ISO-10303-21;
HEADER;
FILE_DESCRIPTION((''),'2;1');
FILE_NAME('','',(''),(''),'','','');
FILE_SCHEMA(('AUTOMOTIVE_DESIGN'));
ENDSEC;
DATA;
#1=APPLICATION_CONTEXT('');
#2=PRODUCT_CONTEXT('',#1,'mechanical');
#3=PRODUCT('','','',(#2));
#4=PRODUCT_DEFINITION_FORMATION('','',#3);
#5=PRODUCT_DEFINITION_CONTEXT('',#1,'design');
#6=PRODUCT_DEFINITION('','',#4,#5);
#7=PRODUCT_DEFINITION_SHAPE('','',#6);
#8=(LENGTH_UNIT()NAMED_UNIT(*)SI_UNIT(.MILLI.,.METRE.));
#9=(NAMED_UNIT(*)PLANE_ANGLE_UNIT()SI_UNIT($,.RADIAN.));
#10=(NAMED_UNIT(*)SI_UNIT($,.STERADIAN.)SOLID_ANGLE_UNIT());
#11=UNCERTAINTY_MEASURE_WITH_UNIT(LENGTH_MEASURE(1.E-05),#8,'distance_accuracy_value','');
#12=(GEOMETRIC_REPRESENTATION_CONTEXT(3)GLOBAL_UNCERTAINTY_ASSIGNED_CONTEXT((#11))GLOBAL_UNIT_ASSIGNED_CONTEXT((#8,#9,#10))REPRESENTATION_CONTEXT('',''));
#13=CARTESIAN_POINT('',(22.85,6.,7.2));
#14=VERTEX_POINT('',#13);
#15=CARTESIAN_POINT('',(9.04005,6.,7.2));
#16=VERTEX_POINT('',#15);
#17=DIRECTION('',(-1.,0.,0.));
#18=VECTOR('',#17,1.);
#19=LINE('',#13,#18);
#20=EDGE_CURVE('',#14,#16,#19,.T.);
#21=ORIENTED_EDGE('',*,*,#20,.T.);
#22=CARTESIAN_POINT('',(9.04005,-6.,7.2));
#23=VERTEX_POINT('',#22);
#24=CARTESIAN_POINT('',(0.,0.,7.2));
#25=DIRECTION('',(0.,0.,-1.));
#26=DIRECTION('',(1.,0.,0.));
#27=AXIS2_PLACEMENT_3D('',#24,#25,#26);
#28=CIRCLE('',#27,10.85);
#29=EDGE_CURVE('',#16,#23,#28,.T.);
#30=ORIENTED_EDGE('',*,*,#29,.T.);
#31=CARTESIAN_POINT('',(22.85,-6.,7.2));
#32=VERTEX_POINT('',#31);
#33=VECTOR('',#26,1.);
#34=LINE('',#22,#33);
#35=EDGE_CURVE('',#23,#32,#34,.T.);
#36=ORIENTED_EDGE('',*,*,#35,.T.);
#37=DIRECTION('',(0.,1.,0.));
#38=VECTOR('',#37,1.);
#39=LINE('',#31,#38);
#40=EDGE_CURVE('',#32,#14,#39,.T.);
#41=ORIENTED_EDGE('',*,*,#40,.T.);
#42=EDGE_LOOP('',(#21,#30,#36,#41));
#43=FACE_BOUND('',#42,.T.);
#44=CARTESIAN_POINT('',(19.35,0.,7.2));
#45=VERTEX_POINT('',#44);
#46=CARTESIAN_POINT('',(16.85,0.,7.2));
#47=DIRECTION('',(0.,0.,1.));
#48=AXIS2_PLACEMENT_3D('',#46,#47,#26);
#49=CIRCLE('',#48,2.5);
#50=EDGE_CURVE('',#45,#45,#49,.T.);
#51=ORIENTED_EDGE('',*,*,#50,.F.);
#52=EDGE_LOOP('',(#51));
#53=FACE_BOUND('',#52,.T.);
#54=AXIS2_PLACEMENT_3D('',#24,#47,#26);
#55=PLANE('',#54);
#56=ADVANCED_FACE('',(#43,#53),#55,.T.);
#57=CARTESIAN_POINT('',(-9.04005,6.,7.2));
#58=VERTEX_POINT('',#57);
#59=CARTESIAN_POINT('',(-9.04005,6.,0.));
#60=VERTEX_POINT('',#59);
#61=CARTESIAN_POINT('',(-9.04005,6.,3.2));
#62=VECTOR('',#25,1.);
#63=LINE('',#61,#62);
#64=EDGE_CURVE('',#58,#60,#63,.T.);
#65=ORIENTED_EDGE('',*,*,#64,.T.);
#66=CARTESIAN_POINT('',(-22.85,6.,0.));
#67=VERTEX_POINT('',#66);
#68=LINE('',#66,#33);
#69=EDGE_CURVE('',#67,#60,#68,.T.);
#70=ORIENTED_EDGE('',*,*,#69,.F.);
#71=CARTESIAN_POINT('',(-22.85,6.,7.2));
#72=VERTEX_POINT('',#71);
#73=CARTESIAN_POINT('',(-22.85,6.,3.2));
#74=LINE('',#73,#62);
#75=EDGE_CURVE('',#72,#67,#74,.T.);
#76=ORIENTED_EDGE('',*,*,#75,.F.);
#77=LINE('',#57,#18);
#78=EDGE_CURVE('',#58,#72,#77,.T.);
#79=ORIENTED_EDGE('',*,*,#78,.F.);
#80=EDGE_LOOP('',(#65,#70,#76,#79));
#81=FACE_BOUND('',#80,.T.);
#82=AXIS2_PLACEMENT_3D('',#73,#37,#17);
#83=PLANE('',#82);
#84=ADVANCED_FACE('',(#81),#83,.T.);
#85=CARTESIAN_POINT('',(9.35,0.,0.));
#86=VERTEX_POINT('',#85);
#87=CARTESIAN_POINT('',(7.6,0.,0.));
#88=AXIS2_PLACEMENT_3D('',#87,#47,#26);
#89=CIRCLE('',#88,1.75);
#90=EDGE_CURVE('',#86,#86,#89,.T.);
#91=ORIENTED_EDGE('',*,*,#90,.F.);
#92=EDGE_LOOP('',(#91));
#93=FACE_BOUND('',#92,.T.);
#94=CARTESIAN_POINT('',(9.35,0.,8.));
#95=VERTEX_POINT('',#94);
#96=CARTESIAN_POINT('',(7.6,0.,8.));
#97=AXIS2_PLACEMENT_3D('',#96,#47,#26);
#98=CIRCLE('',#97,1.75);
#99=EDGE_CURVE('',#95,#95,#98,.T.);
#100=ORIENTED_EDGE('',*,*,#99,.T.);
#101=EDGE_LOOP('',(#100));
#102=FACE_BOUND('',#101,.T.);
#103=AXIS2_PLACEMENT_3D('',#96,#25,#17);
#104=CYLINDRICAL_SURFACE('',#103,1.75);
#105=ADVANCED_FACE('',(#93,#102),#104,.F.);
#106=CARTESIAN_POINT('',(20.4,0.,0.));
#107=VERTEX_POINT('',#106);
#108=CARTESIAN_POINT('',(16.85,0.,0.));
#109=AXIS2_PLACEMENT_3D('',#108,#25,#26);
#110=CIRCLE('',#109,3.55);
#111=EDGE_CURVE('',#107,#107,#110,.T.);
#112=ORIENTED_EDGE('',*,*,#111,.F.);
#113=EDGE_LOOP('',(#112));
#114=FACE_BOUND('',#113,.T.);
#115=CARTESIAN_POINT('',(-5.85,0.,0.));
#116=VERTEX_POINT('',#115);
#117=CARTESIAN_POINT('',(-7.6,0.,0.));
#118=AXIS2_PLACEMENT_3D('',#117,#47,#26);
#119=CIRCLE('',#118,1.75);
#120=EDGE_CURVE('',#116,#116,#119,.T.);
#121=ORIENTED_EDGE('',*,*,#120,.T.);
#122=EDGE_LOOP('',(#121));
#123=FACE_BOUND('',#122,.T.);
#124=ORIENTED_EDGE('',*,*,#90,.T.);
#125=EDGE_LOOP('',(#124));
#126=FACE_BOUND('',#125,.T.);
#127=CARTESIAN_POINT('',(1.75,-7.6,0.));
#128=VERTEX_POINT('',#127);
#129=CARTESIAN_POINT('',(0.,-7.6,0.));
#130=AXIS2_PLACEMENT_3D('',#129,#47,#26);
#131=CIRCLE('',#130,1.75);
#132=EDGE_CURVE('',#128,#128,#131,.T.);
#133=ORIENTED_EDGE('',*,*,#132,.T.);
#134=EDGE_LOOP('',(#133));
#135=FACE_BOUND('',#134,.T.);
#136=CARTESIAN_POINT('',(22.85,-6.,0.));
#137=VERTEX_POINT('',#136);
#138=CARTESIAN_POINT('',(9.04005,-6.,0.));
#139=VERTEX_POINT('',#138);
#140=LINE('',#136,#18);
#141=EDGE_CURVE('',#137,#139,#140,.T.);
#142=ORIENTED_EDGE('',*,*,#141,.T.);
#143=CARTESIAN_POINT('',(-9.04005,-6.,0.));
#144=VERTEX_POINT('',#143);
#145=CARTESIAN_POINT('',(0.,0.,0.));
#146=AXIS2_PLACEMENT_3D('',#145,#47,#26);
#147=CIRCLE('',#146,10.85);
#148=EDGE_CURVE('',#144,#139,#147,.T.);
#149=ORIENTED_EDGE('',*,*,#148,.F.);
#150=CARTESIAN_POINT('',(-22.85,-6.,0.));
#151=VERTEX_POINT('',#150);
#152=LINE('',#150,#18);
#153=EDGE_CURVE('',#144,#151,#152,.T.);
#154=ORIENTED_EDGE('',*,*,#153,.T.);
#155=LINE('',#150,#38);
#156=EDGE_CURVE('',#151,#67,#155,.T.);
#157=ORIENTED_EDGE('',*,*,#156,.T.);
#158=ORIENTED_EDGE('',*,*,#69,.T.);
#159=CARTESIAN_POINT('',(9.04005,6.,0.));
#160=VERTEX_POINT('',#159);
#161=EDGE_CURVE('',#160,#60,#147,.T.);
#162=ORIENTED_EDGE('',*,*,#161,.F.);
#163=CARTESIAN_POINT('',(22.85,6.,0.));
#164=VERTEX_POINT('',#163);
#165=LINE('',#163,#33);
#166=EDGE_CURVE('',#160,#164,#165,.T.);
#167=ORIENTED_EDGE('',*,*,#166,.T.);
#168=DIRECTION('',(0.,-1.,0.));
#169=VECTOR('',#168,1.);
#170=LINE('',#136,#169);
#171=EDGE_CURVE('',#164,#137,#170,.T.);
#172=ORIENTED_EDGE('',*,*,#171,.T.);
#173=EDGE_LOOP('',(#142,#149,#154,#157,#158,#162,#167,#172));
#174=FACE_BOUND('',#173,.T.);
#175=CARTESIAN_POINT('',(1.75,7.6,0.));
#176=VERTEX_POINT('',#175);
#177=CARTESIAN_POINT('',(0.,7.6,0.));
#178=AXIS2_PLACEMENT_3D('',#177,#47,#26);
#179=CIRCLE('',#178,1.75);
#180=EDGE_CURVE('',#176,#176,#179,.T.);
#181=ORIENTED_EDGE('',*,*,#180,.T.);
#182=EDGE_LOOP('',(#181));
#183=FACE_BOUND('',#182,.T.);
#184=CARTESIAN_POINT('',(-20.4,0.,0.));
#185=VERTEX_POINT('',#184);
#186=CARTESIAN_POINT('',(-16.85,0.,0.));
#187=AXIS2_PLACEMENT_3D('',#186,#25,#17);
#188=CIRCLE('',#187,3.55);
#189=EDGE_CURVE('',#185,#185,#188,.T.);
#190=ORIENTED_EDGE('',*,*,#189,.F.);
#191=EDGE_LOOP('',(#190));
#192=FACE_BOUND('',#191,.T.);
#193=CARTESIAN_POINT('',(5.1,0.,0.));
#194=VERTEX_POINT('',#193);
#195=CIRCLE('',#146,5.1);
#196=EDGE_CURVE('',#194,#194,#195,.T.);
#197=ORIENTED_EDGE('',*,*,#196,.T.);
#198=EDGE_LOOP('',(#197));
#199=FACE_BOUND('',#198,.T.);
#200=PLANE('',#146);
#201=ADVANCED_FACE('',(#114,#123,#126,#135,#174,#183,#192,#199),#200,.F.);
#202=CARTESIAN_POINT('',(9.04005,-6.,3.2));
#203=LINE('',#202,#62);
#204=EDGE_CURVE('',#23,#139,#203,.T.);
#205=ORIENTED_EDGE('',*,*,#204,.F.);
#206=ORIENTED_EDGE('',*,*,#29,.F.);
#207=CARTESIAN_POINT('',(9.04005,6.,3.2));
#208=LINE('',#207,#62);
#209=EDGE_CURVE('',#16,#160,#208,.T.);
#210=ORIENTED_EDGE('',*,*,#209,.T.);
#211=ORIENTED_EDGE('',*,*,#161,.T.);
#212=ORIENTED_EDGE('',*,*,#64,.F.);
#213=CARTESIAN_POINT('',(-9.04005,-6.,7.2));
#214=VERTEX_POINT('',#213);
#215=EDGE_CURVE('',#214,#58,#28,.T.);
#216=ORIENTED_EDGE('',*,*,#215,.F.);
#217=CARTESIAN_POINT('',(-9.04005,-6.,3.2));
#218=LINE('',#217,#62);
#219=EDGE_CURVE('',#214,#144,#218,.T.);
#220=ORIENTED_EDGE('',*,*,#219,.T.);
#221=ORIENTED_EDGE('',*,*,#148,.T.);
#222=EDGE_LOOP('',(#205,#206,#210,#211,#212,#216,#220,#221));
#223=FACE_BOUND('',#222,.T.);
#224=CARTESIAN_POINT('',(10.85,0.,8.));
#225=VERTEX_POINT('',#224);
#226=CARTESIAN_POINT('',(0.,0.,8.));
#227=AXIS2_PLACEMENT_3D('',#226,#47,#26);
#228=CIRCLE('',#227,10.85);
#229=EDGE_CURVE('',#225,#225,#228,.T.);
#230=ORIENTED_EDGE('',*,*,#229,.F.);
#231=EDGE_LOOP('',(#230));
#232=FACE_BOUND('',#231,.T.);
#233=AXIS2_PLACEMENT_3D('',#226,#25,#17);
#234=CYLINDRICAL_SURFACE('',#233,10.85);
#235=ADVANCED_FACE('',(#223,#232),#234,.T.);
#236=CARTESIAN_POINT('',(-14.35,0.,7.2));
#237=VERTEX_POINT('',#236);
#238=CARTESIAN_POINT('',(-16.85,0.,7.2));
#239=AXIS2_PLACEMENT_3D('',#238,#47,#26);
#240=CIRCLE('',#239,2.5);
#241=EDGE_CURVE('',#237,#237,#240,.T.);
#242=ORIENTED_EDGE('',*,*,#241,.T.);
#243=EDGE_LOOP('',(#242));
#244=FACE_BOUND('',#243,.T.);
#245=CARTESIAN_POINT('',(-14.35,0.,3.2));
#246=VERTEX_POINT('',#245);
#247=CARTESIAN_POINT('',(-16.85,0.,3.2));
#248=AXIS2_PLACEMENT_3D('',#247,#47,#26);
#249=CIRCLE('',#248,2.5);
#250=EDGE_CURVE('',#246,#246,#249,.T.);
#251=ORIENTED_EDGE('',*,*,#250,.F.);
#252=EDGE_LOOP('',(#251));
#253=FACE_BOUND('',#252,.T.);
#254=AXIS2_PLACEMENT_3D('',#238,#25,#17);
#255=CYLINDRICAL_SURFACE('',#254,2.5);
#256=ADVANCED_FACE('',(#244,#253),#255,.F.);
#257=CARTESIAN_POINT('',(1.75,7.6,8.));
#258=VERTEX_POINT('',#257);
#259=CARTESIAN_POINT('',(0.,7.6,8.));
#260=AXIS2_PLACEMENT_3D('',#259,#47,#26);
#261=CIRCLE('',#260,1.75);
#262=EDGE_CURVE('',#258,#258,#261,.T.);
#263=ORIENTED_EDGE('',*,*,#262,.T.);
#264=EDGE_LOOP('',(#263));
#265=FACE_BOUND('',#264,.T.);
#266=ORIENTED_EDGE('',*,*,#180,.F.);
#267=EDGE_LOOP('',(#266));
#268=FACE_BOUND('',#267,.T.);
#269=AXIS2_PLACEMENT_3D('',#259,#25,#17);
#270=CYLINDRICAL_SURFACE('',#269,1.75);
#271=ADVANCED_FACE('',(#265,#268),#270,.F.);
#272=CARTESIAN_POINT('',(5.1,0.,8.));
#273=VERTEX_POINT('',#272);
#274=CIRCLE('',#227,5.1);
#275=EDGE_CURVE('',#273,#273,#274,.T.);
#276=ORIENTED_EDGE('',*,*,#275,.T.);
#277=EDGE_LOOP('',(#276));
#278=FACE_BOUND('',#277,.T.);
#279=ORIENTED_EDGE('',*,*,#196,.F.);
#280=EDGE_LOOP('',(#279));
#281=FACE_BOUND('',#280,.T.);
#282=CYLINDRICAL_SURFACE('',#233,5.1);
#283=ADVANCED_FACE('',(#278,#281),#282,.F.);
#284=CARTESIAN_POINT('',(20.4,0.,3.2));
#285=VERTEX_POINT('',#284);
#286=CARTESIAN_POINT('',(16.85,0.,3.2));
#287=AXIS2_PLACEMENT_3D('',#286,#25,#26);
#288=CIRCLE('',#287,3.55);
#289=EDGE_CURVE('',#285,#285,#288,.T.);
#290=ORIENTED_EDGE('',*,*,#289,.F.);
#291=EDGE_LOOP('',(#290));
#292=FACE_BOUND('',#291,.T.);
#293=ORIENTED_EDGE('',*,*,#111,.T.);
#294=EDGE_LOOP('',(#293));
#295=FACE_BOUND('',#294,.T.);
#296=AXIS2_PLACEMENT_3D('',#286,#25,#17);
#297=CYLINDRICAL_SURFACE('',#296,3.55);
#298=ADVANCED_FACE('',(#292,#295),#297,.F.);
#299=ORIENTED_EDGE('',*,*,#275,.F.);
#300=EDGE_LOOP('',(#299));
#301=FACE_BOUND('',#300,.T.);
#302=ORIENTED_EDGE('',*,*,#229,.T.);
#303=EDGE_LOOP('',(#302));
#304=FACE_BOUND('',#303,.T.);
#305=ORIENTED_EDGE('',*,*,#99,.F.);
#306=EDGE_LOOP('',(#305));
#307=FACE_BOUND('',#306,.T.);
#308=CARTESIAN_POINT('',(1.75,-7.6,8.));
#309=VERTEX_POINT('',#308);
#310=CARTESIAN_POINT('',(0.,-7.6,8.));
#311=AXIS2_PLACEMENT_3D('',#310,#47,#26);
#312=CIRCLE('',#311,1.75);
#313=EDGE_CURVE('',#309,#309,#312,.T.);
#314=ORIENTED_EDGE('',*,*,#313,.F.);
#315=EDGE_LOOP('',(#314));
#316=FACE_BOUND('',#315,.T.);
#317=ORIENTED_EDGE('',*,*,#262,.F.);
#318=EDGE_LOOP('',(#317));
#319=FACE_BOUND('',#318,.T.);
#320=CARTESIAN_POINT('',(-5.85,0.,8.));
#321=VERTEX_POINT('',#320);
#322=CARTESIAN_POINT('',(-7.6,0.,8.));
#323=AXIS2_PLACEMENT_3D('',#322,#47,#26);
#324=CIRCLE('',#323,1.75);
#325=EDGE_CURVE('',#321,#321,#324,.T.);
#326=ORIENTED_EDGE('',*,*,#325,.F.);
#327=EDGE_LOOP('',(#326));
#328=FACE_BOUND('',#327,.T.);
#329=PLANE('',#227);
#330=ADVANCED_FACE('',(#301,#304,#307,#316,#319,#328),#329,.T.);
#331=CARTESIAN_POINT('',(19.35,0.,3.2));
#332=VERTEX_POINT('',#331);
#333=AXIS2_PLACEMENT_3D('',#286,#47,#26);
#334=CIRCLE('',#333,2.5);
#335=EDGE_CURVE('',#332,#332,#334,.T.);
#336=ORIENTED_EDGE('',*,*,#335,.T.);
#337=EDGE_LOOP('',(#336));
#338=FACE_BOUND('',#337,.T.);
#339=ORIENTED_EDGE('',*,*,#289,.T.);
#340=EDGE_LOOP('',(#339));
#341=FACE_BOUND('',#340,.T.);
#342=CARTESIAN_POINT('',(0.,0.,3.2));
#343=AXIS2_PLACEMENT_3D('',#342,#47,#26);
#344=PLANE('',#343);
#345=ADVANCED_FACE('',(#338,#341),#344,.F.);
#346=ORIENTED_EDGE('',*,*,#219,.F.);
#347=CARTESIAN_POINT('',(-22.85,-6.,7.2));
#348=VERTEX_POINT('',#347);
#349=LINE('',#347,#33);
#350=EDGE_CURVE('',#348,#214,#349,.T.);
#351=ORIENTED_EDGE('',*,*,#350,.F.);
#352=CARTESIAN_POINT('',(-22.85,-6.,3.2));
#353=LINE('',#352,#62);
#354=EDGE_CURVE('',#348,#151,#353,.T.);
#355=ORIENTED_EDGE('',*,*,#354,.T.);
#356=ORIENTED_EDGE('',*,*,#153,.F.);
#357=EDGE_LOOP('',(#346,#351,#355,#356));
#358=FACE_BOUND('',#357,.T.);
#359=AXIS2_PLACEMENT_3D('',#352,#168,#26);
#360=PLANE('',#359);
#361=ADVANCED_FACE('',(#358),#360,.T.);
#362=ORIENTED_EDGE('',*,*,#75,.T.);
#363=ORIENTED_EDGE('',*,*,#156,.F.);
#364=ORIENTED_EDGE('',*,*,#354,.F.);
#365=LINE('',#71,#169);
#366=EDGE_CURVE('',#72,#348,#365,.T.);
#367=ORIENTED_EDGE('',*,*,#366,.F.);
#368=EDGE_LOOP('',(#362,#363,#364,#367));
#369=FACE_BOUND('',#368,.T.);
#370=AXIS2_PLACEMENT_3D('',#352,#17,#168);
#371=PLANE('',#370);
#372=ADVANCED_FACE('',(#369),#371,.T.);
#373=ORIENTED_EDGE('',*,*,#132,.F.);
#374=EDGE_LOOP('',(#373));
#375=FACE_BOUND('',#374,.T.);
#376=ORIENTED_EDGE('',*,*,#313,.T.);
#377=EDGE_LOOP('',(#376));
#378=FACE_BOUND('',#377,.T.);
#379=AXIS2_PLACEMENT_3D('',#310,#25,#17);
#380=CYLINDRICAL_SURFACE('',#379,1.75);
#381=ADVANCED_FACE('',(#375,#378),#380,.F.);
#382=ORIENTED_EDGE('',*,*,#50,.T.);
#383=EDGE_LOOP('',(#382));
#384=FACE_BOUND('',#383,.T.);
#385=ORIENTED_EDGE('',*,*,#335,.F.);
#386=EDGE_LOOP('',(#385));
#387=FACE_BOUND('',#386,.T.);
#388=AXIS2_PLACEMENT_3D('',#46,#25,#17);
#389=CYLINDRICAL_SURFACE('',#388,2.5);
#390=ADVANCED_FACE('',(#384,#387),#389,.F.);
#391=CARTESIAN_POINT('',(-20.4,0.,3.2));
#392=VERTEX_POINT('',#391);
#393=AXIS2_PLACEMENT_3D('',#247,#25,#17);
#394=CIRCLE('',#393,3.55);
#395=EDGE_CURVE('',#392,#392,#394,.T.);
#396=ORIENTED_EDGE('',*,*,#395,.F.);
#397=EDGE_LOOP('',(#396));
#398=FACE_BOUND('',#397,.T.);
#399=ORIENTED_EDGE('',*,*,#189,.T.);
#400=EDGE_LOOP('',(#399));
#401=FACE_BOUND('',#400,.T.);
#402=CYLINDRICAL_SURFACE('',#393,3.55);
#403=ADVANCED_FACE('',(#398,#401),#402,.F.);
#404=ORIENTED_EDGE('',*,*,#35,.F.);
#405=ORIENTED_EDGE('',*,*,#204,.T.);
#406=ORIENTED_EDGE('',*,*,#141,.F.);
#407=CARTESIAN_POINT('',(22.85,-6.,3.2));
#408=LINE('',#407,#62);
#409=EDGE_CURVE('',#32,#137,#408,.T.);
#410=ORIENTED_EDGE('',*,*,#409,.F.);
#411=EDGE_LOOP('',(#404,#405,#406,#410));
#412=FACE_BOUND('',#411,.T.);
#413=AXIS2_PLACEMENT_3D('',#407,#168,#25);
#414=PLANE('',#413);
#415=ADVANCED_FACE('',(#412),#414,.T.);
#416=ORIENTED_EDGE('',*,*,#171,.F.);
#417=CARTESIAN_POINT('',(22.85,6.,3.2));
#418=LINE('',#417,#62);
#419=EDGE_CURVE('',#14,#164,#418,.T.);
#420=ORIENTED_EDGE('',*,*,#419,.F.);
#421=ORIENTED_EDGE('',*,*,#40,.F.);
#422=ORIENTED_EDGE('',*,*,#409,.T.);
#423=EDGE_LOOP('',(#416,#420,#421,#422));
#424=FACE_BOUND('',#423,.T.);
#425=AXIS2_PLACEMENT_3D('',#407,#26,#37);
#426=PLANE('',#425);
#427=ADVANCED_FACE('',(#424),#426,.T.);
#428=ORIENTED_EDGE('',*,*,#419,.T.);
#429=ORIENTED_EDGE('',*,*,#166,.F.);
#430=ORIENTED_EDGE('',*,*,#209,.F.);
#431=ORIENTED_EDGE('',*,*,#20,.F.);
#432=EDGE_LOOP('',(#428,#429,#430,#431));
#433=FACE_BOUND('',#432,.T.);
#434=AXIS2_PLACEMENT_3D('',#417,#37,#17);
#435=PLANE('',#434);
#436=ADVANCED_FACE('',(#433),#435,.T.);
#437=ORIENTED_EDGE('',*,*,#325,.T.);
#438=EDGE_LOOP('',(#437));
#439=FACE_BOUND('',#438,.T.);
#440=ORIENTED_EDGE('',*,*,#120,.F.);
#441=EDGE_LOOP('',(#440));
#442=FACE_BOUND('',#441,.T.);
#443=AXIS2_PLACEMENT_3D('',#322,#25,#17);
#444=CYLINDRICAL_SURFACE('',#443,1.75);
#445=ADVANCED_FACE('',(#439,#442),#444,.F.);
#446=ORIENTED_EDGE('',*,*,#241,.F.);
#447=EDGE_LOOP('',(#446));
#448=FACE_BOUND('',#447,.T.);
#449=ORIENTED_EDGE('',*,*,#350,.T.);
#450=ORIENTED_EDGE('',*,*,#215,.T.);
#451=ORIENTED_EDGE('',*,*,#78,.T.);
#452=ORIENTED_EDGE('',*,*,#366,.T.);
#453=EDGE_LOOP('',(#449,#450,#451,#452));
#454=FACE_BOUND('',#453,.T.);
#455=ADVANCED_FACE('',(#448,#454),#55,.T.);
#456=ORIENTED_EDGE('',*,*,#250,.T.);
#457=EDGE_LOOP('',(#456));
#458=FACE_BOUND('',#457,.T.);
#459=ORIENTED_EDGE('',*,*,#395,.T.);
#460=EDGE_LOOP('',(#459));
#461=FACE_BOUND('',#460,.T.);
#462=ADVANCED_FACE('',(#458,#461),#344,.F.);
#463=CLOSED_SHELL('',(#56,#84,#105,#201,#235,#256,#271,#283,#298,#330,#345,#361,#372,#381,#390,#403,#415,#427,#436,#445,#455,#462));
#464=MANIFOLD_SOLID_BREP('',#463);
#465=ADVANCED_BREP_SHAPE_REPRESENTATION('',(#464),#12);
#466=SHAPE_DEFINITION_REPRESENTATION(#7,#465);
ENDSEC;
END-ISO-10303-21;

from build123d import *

# Parameters (mm, degrees)
SKETCH1_R           = 10.85
SKETCH1_R_2         = 5.1
SKETCH1_R_3         = 1.75
BOSS_EXTRUDE1_DEPTH = 8
SKETCH2_R           = 3.55
BOSS_EXTRUDE3_DEPTH = 3.2
SKETCH3_R           = 2.5
BOSS_EXTRUDE4_DEPTH = 4


with BuildPart() as part:
    # Sketch1 → Boss-Extrude1 (new body)
    with BuildSketch(Plane.XY):
        Circle(SKETCH1_R)
        Circle(SKETCH1_R_2, mode=Mode.SUBTRACT)
        with Locations((-7.6, 0)):
            Circle(SKETCH1_R_3, mode=Mode.SUBTRACT)
        with Locations((0, 7.6)):
            Circle(SKETCH1_R_3, mode=Mode.SUBTRACT)
        with Locations((7.6, 0)):
            Circle(SKETCH1_R_3, mode=Mode.SUBTRACT)
        with Locations((0, -7.6)):
            Circle(SKETCH1_R_3, mode=Mode.SUBTRACT)
    extrude(amount=BOSS_EXTRUDE1_DEPTH)

    # Sketch2 → Boss-Extrude3 (add)
    with BuildSketch(Plane(origin=(0, 0, 0), x_dir=(-1, 0, 0), z_dir=(0, 0, -1))):
        with BuildLine():
            Line((-22.85, -6), (-22.85, 6))
            Line((-22.85, 6), (-9.040049779, 6))
            ThreePointArc((-9.040049779, 6), (-10.85, 0), (-9.040049779, -6))
            Line((-9.040049779, -6), (-22.85, -6))
        make_face()
        with Locations((-16.85, 0)):
            Circle(SKETCH2_R, mode=Mode.SUBTRACT)
        with BuildLine():
            Line((22.85, -6), (22.85, 6))
            Line((22.85, 6), (9.040049779, 6))
            ThreePointArc((9.040049779, 6), (10.85, 0), (9.040049779, -6))
            Line((9.040049779, -6), (22.85, -6))
        make_face()
        with Locations((16.85, 0)):
            Circle(SKETCH2_R, mode=Mode.SUBTRACT)
    extrude(amount=-BOSS_EXTRUDE3_DEPTH)

    # Sketch3 → Boss-Extrude4 (add)
    with BuildSketch(Plane.XY.offset(3.2)):
        with BuildLine():
            Line((-9.040049779, 6), (-22.85, 6))
            Line((-22.85, 6), (-22.85, -6))
            Line((-22.85, -6), (-9.040049779, -6))
            ThreePointArc((-9.040049779, -6), (-10.85, 0), (-9.040049779, 6))
        make_face()
        with Locations((-16.85, 0)):
            Circle(SKETCH3_R, mode=Mode.SUBTRACT)
        with BuildLine():
            Line((9.040049779, -6), (22.85, -6))
            Line((22.85, -6), (22.85, 6))
            Line((22.85, 6), (9.040049779, 6))
            ThreePointArc((9.040049779, 6), (10.85, 0), (9.040049779, -6))
        make_face()
        with Locations((16.85, 0)):
            Circle(SKETCH3_R, mode=Mode.SUBTRACT)
    extrude(amount=BOSS_EXTRUDE4_DEPTH)


solid = part.part
